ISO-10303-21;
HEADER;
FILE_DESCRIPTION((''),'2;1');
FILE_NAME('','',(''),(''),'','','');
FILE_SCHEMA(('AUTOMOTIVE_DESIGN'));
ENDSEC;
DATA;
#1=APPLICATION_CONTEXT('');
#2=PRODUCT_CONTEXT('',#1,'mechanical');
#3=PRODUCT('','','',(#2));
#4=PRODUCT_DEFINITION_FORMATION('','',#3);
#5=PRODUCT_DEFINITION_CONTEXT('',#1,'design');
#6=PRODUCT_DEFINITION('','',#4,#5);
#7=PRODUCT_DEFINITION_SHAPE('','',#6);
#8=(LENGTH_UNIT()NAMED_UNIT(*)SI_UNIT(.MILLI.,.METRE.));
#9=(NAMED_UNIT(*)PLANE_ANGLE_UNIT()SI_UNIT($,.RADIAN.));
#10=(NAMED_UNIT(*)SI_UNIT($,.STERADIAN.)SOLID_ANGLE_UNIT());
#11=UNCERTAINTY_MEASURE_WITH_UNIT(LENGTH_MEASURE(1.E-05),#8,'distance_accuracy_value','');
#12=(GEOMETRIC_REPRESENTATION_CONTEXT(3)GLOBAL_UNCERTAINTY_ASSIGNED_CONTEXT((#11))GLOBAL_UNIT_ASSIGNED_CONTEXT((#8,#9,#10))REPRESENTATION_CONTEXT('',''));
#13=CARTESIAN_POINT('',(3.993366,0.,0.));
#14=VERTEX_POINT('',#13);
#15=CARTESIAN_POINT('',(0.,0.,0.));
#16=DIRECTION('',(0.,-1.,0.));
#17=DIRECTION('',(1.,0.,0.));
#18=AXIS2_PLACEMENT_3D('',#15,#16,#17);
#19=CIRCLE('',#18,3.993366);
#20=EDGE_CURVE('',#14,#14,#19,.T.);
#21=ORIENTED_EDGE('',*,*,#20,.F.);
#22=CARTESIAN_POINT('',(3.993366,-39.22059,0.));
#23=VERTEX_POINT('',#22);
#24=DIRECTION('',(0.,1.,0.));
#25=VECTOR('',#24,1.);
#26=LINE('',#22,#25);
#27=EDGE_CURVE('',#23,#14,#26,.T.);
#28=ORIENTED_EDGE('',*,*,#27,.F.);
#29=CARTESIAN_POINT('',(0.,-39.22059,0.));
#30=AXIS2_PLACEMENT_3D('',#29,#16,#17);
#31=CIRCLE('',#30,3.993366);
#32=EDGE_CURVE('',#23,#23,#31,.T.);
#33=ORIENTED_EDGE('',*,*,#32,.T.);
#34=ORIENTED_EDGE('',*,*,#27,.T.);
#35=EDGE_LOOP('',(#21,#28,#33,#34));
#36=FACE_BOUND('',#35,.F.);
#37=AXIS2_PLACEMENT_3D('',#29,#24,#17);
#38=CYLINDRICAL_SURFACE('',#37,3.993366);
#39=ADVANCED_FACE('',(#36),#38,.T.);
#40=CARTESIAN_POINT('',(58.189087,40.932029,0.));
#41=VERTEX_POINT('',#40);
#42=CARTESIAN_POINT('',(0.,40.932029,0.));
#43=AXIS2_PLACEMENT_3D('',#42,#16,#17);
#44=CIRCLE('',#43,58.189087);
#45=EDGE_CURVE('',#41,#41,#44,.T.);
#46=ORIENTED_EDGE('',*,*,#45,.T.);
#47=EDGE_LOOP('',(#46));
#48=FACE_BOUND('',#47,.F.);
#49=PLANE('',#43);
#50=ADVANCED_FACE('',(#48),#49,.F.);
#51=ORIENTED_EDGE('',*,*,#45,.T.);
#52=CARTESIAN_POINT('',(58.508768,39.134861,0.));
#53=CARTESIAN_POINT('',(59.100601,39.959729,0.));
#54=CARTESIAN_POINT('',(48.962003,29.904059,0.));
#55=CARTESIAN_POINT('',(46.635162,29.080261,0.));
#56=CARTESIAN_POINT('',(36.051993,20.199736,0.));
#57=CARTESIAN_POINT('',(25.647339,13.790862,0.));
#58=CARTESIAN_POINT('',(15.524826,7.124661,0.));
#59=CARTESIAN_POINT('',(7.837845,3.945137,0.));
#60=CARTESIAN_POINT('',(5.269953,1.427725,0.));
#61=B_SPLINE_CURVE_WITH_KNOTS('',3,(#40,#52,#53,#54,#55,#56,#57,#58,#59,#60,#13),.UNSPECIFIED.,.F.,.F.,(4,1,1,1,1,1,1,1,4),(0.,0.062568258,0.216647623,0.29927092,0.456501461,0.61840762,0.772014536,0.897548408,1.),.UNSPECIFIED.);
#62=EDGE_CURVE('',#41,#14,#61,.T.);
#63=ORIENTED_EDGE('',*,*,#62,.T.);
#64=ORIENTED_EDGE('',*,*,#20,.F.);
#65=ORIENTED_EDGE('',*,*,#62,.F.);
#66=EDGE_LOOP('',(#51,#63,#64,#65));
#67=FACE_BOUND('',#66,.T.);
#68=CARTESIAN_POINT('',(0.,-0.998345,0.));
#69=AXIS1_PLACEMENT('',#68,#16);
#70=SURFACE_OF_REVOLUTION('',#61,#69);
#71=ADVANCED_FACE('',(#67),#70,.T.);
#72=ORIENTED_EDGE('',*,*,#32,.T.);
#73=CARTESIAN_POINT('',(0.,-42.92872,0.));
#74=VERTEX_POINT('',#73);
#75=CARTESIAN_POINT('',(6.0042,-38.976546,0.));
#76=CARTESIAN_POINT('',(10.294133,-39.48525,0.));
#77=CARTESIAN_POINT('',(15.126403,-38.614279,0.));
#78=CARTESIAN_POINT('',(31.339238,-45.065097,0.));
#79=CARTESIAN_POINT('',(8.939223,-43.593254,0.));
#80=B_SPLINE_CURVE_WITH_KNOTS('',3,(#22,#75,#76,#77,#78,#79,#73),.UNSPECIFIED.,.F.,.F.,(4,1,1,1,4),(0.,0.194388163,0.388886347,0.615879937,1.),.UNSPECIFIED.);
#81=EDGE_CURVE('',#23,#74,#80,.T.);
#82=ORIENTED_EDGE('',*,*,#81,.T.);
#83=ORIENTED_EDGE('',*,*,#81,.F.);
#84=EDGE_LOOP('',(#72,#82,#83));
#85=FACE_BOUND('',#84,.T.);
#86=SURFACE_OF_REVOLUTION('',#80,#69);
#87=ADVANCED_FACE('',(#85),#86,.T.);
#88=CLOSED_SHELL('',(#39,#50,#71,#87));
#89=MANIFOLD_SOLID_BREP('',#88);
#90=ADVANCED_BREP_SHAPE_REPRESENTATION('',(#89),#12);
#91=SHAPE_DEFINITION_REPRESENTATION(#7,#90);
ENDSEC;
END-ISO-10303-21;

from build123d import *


with BuildPart() as f1:
    # F0 (on Top) → F1 (revolve)
    with BuildSketch(Plane.XY):
        with BuildLine():
            Line((58.189086616, 40.9320294857), (0, 40.9320294857))
            Line((0, 40.9320294857), (0, -42.9287198931))
            add(Edge.make_bspline(
                [(3.9933663793, -39.2205901444), (6.0042002758, -38.9765464074), (10.294133426, -39.4852499016), (15.1264026482, -38.614279271), (31.339238011, -45.0650967465), (8.9392229898, -43.593254007), (0, -42.9287198931)],
                knots=[0, 0, 0, 0, 0.1943881629, 0.3888863474, 0.6158799374, 1, 1, 1, 1], degree=3))
            Line((3.9933663793, -39.2205901444), (3.9933663793, 0))
            add(Edge.make_bspline(
                [(58.189086616, 40.9320294857), (58.5087683799, 39.1348608143), (59.1006005672, 39.9597293712), (48.9620033089, 29.9040594274), (46.6351622342, 29.0802610309), (36.0519934998, 20.1997355219), (25.6473393716, 13.7908619751), (15.5248255608, 7.1246609262), (7.8378454111, 3.9451368352), (5.2699525636, 1.4277245404), (3.9933663793, 0)],
                knots=[0, 0, 0, 0, 0.0625682575, 0.216647623, 0.2992709205, 0.4565014614, 0.6184076202, 0.772014536, 0.8975484084, 1, 1, 1, 1], degree=3))
        make_face()
    revolve(axis=Axis((0, -0.9983452037, 0), (0, -1, 0)))


solid = f1.part
